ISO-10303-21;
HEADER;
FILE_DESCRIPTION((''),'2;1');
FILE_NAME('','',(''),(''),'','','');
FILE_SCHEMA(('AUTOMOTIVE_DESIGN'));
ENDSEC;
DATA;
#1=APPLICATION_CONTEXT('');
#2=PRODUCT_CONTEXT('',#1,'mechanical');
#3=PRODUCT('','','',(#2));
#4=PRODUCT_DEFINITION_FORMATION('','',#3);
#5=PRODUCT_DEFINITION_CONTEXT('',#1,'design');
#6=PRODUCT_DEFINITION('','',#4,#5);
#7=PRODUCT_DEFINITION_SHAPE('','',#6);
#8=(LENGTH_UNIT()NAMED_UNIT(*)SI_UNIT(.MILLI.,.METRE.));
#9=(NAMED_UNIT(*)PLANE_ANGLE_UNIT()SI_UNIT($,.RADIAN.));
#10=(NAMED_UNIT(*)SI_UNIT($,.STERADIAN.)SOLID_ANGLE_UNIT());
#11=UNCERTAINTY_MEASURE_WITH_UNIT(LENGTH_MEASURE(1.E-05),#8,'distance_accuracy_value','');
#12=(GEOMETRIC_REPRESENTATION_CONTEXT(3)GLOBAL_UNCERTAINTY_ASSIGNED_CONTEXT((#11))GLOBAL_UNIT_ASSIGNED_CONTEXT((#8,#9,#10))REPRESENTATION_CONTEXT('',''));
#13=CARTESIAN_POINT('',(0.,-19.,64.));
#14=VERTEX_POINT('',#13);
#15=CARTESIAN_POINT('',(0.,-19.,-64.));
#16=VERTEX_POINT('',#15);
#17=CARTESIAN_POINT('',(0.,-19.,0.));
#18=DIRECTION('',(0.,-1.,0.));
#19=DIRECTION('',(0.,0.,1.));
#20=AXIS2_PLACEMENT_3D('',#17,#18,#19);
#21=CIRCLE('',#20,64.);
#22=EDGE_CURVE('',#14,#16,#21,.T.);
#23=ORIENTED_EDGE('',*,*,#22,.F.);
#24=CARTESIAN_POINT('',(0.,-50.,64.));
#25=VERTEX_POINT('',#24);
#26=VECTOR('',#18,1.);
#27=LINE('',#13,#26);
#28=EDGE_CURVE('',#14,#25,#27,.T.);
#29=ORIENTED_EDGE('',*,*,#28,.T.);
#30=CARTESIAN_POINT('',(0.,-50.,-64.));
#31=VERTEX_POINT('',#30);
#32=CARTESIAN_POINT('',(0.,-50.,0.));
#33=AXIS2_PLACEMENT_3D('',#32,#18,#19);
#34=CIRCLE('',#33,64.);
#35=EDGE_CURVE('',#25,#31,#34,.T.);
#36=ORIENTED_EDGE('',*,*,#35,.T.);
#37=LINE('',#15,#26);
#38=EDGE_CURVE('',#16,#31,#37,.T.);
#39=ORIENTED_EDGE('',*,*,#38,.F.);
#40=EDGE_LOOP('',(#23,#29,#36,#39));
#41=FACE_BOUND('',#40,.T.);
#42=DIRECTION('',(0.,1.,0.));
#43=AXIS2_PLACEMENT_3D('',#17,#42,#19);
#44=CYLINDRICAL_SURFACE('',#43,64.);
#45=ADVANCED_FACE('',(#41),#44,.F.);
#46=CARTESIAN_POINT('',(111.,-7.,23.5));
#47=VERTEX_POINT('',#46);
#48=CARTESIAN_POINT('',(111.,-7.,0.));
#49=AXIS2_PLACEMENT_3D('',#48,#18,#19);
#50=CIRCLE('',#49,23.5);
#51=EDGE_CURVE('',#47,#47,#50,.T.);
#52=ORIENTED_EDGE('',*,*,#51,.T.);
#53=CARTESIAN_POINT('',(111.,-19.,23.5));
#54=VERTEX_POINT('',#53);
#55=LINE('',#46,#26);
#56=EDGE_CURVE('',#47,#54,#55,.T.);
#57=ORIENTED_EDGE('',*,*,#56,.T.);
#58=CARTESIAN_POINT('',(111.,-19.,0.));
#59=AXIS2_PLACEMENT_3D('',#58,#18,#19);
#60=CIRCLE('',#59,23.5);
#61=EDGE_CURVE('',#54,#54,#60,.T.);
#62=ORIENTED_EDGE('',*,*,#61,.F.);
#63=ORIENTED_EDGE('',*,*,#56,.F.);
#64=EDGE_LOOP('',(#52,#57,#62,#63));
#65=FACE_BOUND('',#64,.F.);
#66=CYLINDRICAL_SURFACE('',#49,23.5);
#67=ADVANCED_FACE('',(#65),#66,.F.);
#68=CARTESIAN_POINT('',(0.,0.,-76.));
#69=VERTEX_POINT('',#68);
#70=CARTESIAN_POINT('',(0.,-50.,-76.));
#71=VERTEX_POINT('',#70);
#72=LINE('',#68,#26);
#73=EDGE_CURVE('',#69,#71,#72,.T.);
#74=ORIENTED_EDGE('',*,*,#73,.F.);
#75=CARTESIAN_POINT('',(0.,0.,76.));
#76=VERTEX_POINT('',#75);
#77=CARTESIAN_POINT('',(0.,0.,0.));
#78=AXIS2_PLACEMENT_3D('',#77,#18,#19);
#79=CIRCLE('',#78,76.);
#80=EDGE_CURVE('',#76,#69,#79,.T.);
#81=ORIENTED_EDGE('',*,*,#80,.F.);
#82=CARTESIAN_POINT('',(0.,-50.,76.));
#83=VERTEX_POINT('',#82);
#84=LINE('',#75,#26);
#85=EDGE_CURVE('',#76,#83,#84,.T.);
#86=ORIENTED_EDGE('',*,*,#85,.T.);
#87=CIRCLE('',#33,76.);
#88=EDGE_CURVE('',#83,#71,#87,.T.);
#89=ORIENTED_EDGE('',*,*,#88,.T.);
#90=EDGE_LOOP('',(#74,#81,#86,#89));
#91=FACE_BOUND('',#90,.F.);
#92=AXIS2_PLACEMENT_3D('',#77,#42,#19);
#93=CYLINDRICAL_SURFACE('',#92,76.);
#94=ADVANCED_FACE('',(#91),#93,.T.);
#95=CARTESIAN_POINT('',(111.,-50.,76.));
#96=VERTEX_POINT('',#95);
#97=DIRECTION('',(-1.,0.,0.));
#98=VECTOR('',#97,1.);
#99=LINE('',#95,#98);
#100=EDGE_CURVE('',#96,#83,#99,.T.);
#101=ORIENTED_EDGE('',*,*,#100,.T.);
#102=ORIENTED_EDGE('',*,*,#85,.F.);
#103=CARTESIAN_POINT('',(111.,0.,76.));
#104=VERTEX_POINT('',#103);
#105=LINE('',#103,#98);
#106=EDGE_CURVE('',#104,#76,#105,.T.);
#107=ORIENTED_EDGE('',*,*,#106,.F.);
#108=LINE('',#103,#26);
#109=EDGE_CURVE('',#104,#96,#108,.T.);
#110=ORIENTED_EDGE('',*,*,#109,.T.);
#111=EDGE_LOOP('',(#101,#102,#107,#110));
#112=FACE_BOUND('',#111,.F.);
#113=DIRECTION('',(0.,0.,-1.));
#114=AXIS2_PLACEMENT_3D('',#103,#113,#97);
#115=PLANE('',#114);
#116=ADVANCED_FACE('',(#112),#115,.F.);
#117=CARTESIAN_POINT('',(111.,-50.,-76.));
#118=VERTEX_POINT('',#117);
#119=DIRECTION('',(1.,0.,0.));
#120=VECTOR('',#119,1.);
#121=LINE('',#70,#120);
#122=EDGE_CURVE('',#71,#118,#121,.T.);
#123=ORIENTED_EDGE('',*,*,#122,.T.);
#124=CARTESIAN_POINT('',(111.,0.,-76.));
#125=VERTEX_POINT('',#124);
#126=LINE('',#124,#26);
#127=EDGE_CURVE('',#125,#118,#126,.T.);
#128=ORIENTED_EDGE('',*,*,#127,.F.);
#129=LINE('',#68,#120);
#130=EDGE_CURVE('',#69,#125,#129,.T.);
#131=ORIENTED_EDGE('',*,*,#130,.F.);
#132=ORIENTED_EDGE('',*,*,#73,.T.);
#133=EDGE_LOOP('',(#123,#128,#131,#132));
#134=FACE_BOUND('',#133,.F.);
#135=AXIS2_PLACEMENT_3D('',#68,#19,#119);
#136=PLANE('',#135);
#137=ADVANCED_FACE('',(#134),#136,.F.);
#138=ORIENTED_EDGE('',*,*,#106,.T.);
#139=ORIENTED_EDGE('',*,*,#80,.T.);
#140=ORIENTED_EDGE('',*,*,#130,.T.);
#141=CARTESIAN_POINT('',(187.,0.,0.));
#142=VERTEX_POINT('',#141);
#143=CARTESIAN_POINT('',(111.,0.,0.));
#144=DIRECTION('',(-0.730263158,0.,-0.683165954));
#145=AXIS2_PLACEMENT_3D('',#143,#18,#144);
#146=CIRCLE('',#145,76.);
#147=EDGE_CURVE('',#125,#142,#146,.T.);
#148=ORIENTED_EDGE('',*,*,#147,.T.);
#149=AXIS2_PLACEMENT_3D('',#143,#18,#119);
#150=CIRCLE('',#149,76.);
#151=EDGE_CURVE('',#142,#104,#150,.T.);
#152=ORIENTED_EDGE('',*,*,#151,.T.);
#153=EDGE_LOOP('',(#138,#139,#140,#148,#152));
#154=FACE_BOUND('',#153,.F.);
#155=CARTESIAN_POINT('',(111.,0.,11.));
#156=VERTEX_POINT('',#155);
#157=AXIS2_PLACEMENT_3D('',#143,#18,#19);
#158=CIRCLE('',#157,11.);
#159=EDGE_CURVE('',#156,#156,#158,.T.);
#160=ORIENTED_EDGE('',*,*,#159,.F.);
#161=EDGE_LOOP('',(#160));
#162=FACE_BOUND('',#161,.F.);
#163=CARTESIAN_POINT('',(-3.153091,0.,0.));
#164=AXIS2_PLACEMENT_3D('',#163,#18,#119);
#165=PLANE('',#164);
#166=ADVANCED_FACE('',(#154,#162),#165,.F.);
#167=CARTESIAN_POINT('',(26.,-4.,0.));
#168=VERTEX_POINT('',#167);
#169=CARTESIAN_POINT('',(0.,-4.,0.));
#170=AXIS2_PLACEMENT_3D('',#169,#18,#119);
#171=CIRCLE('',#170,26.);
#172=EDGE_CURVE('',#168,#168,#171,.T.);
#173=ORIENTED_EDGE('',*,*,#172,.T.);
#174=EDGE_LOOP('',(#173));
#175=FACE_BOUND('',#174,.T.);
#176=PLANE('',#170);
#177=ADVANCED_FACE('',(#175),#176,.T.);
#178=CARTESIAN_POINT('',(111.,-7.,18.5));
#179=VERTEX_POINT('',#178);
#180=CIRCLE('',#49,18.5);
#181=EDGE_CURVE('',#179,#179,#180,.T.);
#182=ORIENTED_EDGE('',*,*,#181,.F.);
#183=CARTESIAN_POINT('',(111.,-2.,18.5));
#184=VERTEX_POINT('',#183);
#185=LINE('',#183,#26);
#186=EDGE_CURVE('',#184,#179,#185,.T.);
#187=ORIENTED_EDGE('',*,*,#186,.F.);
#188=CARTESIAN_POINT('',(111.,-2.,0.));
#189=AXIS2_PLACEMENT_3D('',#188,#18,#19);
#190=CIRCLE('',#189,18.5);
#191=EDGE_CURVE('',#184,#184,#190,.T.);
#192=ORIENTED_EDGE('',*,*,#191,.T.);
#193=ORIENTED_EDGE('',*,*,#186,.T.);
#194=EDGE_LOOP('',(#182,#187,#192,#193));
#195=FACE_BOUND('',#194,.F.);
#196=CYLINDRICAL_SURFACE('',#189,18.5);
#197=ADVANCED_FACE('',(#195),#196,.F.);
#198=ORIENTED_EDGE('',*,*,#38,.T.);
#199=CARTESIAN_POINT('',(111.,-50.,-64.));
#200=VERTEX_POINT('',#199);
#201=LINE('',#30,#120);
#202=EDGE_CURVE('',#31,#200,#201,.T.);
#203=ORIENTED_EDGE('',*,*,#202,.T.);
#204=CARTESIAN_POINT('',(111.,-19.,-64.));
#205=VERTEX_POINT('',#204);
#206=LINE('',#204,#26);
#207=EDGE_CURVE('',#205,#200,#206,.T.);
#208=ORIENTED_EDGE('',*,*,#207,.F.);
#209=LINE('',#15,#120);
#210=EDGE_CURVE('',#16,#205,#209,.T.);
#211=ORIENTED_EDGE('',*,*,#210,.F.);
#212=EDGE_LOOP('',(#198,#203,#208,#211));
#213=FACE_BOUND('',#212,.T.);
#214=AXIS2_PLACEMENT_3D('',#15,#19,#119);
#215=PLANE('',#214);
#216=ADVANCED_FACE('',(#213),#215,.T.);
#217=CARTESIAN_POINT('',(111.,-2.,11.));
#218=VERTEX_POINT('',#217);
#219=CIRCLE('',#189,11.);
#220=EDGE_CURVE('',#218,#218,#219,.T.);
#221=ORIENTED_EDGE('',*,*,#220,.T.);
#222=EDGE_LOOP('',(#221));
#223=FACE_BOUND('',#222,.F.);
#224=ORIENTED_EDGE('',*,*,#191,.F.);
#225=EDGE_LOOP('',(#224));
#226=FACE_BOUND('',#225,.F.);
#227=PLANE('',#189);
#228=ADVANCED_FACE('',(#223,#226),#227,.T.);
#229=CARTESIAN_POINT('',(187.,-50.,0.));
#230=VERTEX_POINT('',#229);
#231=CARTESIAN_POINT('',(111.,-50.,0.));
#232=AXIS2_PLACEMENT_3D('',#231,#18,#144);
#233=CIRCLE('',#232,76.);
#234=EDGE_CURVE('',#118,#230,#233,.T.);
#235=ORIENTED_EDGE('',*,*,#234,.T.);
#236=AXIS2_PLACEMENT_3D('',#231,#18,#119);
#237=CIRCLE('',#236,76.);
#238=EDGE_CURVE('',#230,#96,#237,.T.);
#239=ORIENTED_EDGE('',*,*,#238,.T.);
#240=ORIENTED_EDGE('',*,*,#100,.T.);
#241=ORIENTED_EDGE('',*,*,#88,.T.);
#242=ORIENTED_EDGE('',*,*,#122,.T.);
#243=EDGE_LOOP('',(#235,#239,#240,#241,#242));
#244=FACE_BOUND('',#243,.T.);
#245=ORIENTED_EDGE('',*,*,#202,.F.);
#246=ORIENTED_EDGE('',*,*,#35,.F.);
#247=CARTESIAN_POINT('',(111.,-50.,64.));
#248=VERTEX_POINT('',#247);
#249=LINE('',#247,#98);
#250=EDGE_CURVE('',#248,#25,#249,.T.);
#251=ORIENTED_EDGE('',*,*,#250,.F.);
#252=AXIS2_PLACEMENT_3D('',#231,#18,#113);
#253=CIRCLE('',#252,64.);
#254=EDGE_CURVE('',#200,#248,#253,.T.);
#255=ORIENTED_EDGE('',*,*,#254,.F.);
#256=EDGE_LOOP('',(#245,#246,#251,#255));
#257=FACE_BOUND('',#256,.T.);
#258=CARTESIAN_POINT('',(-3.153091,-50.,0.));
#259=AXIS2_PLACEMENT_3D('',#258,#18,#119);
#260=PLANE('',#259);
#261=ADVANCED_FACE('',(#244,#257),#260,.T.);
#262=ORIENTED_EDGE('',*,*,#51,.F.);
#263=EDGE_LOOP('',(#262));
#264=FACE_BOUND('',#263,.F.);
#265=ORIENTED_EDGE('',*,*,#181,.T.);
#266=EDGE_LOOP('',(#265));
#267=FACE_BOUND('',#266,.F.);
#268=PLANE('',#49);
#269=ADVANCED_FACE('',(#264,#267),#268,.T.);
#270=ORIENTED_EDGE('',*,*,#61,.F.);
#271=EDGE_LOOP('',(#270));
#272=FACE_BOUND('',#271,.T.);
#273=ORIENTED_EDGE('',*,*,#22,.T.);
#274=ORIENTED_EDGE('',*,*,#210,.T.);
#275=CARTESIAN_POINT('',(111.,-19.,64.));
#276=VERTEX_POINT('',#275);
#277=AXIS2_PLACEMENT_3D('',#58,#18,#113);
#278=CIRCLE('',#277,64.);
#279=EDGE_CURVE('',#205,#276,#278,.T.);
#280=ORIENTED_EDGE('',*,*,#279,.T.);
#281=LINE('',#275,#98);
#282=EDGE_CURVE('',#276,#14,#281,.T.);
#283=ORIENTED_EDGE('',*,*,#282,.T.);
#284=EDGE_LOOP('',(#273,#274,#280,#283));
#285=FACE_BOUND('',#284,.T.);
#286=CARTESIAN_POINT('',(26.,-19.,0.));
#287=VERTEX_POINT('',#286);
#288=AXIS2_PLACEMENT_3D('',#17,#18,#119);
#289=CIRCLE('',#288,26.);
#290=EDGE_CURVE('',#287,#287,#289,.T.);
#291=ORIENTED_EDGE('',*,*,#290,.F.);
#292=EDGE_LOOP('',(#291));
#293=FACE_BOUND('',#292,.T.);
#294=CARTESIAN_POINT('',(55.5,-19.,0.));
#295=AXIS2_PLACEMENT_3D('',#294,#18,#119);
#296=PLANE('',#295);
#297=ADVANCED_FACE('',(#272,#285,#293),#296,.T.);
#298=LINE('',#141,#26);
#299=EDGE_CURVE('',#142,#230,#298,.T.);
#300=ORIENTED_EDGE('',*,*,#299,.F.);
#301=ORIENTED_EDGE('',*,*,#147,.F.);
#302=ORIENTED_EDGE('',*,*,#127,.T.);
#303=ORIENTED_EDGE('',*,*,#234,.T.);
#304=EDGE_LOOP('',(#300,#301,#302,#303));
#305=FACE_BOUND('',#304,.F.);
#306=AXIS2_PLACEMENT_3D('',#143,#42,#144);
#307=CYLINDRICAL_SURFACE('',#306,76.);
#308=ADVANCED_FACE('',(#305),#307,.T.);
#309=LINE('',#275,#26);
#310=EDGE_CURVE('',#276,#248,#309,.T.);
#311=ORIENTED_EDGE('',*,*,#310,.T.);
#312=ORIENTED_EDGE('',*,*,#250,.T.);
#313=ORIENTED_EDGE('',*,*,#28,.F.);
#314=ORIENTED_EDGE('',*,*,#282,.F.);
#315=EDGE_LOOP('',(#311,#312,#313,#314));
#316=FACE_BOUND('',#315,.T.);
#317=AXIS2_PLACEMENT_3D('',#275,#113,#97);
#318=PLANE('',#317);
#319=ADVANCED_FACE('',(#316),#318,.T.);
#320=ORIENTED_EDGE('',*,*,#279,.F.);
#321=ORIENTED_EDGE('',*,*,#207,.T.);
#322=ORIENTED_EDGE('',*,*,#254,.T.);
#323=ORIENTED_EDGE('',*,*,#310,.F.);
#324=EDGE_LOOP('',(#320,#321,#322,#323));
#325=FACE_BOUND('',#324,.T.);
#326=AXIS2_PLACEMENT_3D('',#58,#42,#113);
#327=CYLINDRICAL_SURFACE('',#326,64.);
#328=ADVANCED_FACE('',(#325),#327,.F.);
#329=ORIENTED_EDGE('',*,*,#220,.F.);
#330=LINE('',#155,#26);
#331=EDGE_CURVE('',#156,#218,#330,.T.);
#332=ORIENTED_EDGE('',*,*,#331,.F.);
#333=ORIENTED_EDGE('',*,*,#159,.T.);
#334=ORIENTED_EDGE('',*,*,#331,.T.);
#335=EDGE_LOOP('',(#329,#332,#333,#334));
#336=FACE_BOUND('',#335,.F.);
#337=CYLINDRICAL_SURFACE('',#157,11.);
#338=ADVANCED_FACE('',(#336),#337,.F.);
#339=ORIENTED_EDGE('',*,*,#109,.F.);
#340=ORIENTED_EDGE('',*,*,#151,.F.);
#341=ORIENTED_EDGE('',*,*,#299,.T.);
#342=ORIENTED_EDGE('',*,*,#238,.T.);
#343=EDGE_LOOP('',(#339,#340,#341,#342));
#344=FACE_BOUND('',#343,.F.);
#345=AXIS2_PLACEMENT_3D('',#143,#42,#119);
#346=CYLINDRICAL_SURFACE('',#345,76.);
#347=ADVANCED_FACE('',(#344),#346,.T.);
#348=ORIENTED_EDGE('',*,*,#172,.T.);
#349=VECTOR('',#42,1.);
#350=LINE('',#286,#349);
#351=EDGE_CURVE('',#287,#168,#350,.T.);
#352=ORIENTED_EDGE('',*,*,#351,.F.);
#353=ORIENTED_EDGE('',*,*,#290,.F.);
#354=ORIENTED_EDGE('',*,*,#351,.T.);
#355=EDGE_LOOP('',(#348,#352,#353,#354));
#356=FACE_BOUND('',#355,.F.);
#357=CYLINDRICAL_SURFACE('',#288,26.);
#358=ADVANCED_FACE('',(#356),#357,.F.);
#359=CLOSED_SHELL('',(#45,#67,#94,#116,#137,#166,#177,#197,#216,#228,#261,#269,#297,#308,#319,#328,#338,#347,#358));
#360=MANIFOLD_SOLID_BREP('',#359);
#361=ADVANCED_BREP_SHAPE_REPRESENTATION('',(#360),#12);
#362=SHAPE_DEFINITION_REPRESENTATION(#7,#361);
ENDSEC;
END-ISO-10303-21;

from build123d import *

# Parameters (mm, degrees)
F1_DEPTH = 50
F4_DEPTH = 31
F5_R     = 26
F6_DEPTH = 15


with BuildPart() as f1:
    # F0 (on Front) → F1 (new body)
    with BuildSketch(Plane.XZ):
        with BuildLine():
            ThreePointArc((55.5, 51.9206124771), (30.2492433933, 69.7207521053), (0, 76))
            ThreePointArc((0, 76), (-76, 0), (0, -76))
            ThreePointArc((0, -76), (30.2492433933, -69.7207521053), (55.5, -51.9206124771))
            ThreePointArc((55.5, -51.9206124771), (35, 0), (55.5, 51.9206124771))
        make_face()
        with BuildLine():
            ThreePointArc((111, 76), (80.7507566067, 69.7207521053), (55.5, 51.9206124771))
            ThreePointArc((55.5, 51.9206124771), (70.6894617323, 27.9105714739), (76, 0))
            ThreePointArc((76, 0), (70.6894617323, -27.9105714739), (55.5, -51.9206124771))
            ThreePointArc((55.5, -51.9206124771), (80.7507566067, -69.7207521053), (111, -76))
            ThreePointArc((111, -76), (164.7401153702, -53.7401153702), (187, 0))
            ThreePointArc((187, 0), (164.7401153702, 53.7401153702), (111, 76))
        make_face()
        with BuildLine():
            ThreePointArc((76, 0), (70.6894617323, 27.9105714739), (55.5, 51.9206124771))
            ThreePointArc((55.5, 51.9206124771), (35, 0), (55.5, -51.9206124771))
            ThreePointArc((55.5, -51.9206124771), (70.6894617323, -27.9105714739), (76, 0))
        make_face()
        with BuildLine():
            Line((111, 76), (0, 76))
            ThreePointArc((0, 76), (30.2492433933, 69.7207521053), (55.5, 51.9206124771))
            ThreePointArc((55.5, 51.9206124771), (80.7507566067, 69.7207521053), (111, 76))
        make_face()
        with BuildLine():
            ThreePointArc((55.5, -51.9206124771), (30.2492433933, -69.7207521053), (0, -76))
            Line((0, -76), (111, -76))
            ThreePointArc((111, -76), (80.7507566067, -69.7207521053), (55.5, -51.9206124771))
        make_face()
    extrude(amount=F1_DEPTH)

    # F3 (on offset) → F4 (cut)
    with BuildSketch(Plane.XZ.offset(19)):
        with BuildLine():
            Line((111, 64), (0, 64))
            ThreePointArc((0, 64), (-64, 0), (0, -64))
            Line((0, -64), (111, -64))
            ThreePointArc((111, -64), (175, 0), (111, 64))
        make_face()
    extrude(amount=F4_DEPTH, mode=Mode.SUBTRACT)

    # F5 (on face) → F6 (cut)
    with BuildSketch(Plane.XZ.offset(19)):
        Circle(F5_R)
    extrude(amount=-F6_DEPTH, mode=Mode.SUBTRACT)

    # F8 (on offset) → F9 (revolve, cut)
    with BuildSketch(Plane.YZ.offset(111)):
        Polygon((-19, 0), (0, 0), (0, 11), (-2, 11), (-2, 18.5), (-7, 18.5), (-7, 23.5), (-19, 23.5), align=None)
    revolve(axis=Axis((111, -31.2652774155, 0), (0, -1, 0)), mode=Mode.SUBTRACT)


solid = f1.part
